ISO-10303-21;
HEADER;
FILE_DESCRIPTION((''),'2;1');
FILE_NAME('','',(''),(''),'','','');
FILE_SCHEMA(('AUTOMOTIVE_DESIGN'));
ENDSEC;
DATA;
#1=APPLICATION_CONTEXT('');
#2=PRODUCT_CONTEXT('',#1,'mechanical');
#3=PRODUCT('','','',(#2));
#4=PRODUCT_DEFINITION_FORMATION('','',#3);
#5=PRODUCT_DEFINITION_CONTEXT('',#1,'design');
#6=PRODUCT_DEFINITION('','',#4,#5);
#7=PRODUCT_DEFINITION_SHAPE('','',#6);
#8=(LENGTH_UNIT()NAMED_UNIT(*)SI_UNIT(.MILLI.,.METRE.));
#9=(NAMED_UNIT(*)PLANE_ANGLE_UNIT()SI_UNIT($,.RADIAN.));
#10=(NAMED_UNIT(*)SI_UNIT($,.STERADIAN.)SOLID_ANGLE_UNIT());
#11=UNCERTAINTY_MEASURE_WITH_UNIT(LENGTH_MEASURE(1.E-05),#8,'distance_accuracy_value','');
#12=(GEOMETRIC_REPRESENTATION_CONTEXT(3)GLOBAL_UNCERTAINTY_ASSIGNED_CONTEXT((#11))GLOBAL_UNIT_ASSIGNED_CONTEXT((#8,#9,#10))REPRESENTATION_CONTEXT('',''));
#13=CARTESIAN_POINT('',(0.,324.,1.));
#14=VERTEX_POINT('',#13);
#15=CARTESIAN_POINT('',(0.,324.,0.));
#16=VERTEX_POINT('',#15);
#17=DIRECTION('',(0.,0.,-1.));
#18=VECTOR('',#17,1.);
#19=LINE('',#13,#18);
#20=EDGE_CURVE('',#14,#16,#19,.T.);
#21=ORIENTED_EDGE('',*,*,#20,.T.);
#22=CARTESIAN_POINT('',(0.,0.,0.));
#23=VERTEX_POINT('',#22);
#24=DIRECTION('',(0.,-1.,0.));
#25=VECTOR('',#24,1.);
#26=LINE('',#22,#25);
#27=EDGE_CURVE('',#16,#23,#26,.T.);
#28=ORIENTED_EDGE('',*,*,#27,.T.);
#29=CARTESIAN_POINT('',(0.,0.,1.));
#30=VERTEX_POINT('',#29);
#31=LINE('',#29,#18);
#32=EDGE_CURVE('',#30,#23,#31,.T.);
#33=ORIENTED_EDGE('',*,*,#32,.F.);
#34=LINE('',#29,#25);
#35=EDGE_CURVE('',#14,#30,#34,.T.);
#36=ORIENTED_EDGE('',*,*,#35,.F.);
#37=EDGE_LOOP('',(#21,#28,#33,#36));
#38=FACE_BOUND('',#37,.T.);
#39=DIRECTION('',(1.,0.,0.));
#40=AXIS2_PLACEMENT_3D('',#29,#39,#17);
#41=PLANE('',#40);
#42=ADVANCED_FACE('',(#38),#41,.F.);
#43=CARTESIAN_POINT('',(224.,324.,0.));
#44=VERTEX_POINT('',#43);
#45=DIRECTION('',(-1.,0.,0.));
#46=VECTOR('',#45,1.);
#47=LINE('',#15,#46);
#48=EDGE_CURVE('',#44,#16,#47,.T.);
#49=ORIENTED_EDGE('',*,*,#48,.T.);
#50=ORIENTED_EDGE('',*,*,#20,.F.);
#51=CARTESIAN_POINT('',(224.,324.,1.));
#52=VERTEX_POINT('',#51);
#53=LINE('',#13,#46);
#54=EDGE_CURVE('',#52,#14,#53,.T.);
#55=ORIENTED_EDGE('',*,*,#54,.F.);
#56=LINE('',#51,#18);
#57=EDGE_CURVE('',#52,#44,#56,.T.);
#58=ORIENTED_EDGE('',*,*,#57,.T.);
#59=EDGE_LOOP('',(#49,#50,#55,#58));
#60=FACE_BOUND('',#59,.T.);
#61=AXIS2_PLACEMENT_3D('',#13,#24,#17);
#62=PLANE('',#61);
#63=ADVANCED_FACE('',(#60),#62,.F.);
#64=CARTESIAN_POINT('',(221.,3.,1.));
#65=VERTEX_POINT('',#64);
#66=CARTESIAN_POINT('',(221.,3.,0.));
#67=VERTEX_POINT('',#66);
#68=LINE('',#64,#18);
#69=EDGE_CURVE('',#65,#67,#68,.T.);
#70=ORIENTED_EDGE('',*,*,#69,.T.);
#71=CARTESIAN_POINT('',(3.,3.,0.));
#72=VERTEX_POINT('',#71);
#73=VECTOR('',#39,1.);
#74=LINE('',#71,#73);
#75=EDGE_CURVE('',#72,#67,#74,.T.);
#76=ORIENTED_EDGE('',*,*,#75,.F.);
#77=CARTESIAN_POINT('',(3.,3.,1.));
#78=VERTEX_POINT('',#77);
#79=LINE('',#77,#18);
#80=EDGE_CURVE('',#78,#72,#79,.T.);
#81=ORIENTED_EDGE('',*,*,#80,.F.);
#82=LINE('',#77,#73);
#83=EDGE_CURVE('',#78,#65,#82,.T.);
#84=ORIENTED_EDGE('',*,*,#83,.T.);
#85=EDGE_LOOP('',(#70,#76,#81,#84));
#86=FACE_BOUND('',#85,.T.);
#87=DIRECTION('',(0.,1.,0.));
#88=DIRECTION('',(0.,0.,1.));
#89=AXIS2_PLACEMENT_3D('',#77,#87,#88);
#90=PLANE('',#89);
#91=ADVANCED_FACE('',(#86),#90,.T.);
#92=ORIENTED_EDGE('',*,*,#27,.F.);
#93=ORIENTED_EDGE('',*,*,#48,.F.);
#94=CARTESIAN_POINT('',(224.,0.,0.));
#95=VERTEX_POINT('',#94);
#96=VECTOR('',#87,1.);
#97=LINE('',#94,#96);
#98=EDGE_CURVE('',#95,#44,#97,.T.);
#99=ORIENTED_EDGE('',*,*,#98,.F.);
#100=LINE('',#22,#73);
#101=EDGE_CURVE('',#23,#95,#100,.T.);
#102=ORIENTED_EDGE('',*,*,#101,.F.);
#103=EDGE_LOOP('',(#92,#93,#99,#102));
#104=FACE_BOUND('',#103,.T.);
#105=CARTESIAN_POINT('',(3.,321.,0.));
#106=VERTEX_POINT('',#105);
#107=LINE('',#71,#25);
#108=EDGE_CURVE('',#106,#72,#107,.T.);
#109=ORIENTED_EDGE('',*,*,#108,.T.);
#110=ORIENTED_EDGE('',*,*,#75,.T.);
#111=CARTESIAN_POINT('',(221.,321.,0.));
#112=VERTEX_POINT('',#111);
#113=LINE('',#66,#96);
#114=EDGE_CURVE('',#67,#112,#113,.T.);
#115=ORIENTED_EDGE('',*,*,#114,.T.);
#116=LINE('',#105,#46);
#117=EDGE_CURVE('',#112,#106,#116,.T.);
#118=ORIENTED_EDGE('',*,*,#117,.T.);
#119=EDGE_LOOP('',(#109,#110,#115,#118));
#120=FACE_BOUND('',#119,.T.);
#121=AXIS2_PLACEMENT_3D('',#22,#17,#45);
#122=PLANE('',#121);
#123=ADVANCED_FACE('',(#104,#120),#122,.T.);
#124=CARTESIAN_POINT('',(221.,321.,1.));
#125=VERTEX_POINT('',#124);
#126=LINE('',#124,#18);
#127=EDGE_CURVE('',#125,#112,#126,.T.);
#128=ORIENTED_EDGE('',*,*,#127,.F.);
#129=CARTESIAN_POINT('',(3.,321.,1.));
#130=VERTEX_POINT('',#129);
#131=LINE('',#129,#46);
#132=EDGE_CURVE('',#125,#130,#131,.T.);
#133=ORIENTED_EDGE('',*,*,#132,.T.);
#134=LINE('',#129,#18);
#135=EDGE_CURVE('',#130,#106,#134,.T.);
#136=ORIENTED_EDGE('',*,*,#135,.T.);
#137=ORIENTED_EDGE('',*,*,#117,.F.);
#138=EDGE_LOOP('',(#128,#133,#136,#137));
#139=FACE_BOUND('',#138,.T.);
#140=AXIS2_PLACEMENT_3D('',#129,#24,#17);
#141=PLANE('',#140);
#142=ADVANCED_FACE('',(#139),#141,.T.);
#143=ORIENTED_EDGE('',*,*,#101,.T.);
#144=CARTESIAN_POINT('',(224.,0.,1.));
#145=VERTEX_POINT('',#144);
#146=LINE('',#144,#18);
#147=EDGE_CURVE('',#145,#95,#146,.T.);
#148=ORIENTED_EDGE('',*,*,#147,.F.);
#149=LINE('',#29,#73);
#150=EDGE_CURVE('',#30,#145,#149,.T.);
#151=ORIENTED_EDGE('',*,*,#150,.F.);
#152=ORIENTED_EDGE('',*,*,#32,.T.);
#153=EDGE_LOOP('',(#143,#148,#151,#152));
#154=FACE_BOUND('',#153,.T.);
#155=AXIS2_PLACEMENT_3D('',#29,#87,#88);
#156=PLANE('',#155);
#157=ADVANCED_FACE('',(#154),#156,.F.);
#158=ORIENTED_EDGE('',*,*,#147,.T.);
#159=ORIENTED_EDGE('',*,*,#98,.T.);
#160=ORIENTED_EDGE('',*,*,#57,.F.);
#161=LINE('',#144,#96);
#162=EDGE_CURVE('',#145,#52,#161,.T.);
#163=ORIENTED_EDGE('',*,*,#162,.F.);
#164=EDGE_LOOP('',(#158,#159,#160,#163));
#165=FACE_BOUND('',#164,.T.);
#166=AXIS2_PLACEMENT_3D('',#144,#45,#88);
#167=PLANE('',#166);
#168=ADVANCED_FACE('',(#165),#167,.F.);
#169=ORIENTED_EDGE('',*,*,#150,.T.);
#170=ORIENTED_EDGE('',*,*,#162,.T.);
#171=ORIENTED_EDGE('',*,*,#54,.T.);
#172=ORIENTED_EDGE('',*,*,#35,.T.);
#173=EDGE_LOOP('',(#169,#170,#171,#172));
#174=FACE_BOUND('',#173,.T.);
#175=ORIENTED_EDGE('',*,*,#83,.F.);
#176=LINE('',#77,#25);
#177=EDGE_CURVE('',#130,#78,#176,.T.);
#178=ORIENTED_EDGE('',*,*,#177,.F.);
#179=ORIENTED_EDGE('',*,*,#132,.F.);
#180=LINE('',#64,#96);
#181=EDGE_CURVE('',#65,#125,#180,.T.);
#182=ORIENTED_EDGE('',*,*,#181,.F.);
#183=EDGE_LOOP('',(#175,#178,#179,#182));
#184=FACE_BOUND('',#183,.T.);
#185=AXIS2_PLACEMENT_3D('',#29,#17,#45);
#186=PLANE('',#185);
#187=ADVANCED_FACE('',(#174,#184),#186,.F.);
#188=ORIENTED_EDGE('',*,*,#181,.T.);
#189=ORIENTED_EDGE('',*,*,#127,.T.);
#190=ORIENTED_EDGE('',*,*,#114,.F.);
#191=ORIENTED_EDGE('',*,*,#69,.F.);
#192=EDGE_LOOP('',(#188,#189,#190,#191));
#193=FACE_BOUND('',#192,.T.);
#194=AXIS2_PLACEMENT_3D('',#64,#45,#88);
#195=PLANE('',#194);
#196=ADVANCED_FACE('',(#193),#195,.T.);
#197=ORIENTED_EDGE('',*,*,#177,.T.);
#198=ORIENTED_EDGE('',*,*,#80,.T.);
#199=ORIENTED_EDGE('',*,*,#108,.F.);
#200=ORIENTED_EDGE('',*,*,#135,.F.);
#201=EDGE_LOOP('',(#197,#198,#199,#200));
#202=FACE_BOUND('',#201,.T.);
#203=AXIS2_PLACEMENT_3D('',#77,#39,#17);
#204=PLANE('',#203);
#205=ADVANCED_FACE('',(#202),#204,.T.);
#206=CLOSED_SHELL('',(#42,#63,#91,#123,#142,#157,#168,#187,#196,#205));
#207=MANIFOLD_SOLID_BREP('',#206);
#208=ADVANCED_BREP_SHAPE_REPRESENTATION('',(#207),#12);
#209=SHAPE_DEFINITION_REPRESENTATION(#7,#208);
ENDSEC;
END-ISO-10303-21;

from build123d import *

# Parameters (mm, degrees)
SKETCH1_W     = 224
SKETCH1_H     = 324
SKETCH1_W_2   = 218
SKETCH1_H_2   = 318
PROFILE_DEPTH = 1


with BuildPart() as part:
    # Sketch1 → Profile (new body)
    with BuildSketch(Plane.XY):
        with Locations((112, 162)):
            Rectangle(SKETCH1_W, SKETCH1_H)
        with Locations((112, 162)):
            Rectangle(SKETCH1_W_2, SKETCH1_H_2, mode=Mode.SUBTRACT)
    extrude(amount=PROFILE_DEPTH)


solid = part.part
